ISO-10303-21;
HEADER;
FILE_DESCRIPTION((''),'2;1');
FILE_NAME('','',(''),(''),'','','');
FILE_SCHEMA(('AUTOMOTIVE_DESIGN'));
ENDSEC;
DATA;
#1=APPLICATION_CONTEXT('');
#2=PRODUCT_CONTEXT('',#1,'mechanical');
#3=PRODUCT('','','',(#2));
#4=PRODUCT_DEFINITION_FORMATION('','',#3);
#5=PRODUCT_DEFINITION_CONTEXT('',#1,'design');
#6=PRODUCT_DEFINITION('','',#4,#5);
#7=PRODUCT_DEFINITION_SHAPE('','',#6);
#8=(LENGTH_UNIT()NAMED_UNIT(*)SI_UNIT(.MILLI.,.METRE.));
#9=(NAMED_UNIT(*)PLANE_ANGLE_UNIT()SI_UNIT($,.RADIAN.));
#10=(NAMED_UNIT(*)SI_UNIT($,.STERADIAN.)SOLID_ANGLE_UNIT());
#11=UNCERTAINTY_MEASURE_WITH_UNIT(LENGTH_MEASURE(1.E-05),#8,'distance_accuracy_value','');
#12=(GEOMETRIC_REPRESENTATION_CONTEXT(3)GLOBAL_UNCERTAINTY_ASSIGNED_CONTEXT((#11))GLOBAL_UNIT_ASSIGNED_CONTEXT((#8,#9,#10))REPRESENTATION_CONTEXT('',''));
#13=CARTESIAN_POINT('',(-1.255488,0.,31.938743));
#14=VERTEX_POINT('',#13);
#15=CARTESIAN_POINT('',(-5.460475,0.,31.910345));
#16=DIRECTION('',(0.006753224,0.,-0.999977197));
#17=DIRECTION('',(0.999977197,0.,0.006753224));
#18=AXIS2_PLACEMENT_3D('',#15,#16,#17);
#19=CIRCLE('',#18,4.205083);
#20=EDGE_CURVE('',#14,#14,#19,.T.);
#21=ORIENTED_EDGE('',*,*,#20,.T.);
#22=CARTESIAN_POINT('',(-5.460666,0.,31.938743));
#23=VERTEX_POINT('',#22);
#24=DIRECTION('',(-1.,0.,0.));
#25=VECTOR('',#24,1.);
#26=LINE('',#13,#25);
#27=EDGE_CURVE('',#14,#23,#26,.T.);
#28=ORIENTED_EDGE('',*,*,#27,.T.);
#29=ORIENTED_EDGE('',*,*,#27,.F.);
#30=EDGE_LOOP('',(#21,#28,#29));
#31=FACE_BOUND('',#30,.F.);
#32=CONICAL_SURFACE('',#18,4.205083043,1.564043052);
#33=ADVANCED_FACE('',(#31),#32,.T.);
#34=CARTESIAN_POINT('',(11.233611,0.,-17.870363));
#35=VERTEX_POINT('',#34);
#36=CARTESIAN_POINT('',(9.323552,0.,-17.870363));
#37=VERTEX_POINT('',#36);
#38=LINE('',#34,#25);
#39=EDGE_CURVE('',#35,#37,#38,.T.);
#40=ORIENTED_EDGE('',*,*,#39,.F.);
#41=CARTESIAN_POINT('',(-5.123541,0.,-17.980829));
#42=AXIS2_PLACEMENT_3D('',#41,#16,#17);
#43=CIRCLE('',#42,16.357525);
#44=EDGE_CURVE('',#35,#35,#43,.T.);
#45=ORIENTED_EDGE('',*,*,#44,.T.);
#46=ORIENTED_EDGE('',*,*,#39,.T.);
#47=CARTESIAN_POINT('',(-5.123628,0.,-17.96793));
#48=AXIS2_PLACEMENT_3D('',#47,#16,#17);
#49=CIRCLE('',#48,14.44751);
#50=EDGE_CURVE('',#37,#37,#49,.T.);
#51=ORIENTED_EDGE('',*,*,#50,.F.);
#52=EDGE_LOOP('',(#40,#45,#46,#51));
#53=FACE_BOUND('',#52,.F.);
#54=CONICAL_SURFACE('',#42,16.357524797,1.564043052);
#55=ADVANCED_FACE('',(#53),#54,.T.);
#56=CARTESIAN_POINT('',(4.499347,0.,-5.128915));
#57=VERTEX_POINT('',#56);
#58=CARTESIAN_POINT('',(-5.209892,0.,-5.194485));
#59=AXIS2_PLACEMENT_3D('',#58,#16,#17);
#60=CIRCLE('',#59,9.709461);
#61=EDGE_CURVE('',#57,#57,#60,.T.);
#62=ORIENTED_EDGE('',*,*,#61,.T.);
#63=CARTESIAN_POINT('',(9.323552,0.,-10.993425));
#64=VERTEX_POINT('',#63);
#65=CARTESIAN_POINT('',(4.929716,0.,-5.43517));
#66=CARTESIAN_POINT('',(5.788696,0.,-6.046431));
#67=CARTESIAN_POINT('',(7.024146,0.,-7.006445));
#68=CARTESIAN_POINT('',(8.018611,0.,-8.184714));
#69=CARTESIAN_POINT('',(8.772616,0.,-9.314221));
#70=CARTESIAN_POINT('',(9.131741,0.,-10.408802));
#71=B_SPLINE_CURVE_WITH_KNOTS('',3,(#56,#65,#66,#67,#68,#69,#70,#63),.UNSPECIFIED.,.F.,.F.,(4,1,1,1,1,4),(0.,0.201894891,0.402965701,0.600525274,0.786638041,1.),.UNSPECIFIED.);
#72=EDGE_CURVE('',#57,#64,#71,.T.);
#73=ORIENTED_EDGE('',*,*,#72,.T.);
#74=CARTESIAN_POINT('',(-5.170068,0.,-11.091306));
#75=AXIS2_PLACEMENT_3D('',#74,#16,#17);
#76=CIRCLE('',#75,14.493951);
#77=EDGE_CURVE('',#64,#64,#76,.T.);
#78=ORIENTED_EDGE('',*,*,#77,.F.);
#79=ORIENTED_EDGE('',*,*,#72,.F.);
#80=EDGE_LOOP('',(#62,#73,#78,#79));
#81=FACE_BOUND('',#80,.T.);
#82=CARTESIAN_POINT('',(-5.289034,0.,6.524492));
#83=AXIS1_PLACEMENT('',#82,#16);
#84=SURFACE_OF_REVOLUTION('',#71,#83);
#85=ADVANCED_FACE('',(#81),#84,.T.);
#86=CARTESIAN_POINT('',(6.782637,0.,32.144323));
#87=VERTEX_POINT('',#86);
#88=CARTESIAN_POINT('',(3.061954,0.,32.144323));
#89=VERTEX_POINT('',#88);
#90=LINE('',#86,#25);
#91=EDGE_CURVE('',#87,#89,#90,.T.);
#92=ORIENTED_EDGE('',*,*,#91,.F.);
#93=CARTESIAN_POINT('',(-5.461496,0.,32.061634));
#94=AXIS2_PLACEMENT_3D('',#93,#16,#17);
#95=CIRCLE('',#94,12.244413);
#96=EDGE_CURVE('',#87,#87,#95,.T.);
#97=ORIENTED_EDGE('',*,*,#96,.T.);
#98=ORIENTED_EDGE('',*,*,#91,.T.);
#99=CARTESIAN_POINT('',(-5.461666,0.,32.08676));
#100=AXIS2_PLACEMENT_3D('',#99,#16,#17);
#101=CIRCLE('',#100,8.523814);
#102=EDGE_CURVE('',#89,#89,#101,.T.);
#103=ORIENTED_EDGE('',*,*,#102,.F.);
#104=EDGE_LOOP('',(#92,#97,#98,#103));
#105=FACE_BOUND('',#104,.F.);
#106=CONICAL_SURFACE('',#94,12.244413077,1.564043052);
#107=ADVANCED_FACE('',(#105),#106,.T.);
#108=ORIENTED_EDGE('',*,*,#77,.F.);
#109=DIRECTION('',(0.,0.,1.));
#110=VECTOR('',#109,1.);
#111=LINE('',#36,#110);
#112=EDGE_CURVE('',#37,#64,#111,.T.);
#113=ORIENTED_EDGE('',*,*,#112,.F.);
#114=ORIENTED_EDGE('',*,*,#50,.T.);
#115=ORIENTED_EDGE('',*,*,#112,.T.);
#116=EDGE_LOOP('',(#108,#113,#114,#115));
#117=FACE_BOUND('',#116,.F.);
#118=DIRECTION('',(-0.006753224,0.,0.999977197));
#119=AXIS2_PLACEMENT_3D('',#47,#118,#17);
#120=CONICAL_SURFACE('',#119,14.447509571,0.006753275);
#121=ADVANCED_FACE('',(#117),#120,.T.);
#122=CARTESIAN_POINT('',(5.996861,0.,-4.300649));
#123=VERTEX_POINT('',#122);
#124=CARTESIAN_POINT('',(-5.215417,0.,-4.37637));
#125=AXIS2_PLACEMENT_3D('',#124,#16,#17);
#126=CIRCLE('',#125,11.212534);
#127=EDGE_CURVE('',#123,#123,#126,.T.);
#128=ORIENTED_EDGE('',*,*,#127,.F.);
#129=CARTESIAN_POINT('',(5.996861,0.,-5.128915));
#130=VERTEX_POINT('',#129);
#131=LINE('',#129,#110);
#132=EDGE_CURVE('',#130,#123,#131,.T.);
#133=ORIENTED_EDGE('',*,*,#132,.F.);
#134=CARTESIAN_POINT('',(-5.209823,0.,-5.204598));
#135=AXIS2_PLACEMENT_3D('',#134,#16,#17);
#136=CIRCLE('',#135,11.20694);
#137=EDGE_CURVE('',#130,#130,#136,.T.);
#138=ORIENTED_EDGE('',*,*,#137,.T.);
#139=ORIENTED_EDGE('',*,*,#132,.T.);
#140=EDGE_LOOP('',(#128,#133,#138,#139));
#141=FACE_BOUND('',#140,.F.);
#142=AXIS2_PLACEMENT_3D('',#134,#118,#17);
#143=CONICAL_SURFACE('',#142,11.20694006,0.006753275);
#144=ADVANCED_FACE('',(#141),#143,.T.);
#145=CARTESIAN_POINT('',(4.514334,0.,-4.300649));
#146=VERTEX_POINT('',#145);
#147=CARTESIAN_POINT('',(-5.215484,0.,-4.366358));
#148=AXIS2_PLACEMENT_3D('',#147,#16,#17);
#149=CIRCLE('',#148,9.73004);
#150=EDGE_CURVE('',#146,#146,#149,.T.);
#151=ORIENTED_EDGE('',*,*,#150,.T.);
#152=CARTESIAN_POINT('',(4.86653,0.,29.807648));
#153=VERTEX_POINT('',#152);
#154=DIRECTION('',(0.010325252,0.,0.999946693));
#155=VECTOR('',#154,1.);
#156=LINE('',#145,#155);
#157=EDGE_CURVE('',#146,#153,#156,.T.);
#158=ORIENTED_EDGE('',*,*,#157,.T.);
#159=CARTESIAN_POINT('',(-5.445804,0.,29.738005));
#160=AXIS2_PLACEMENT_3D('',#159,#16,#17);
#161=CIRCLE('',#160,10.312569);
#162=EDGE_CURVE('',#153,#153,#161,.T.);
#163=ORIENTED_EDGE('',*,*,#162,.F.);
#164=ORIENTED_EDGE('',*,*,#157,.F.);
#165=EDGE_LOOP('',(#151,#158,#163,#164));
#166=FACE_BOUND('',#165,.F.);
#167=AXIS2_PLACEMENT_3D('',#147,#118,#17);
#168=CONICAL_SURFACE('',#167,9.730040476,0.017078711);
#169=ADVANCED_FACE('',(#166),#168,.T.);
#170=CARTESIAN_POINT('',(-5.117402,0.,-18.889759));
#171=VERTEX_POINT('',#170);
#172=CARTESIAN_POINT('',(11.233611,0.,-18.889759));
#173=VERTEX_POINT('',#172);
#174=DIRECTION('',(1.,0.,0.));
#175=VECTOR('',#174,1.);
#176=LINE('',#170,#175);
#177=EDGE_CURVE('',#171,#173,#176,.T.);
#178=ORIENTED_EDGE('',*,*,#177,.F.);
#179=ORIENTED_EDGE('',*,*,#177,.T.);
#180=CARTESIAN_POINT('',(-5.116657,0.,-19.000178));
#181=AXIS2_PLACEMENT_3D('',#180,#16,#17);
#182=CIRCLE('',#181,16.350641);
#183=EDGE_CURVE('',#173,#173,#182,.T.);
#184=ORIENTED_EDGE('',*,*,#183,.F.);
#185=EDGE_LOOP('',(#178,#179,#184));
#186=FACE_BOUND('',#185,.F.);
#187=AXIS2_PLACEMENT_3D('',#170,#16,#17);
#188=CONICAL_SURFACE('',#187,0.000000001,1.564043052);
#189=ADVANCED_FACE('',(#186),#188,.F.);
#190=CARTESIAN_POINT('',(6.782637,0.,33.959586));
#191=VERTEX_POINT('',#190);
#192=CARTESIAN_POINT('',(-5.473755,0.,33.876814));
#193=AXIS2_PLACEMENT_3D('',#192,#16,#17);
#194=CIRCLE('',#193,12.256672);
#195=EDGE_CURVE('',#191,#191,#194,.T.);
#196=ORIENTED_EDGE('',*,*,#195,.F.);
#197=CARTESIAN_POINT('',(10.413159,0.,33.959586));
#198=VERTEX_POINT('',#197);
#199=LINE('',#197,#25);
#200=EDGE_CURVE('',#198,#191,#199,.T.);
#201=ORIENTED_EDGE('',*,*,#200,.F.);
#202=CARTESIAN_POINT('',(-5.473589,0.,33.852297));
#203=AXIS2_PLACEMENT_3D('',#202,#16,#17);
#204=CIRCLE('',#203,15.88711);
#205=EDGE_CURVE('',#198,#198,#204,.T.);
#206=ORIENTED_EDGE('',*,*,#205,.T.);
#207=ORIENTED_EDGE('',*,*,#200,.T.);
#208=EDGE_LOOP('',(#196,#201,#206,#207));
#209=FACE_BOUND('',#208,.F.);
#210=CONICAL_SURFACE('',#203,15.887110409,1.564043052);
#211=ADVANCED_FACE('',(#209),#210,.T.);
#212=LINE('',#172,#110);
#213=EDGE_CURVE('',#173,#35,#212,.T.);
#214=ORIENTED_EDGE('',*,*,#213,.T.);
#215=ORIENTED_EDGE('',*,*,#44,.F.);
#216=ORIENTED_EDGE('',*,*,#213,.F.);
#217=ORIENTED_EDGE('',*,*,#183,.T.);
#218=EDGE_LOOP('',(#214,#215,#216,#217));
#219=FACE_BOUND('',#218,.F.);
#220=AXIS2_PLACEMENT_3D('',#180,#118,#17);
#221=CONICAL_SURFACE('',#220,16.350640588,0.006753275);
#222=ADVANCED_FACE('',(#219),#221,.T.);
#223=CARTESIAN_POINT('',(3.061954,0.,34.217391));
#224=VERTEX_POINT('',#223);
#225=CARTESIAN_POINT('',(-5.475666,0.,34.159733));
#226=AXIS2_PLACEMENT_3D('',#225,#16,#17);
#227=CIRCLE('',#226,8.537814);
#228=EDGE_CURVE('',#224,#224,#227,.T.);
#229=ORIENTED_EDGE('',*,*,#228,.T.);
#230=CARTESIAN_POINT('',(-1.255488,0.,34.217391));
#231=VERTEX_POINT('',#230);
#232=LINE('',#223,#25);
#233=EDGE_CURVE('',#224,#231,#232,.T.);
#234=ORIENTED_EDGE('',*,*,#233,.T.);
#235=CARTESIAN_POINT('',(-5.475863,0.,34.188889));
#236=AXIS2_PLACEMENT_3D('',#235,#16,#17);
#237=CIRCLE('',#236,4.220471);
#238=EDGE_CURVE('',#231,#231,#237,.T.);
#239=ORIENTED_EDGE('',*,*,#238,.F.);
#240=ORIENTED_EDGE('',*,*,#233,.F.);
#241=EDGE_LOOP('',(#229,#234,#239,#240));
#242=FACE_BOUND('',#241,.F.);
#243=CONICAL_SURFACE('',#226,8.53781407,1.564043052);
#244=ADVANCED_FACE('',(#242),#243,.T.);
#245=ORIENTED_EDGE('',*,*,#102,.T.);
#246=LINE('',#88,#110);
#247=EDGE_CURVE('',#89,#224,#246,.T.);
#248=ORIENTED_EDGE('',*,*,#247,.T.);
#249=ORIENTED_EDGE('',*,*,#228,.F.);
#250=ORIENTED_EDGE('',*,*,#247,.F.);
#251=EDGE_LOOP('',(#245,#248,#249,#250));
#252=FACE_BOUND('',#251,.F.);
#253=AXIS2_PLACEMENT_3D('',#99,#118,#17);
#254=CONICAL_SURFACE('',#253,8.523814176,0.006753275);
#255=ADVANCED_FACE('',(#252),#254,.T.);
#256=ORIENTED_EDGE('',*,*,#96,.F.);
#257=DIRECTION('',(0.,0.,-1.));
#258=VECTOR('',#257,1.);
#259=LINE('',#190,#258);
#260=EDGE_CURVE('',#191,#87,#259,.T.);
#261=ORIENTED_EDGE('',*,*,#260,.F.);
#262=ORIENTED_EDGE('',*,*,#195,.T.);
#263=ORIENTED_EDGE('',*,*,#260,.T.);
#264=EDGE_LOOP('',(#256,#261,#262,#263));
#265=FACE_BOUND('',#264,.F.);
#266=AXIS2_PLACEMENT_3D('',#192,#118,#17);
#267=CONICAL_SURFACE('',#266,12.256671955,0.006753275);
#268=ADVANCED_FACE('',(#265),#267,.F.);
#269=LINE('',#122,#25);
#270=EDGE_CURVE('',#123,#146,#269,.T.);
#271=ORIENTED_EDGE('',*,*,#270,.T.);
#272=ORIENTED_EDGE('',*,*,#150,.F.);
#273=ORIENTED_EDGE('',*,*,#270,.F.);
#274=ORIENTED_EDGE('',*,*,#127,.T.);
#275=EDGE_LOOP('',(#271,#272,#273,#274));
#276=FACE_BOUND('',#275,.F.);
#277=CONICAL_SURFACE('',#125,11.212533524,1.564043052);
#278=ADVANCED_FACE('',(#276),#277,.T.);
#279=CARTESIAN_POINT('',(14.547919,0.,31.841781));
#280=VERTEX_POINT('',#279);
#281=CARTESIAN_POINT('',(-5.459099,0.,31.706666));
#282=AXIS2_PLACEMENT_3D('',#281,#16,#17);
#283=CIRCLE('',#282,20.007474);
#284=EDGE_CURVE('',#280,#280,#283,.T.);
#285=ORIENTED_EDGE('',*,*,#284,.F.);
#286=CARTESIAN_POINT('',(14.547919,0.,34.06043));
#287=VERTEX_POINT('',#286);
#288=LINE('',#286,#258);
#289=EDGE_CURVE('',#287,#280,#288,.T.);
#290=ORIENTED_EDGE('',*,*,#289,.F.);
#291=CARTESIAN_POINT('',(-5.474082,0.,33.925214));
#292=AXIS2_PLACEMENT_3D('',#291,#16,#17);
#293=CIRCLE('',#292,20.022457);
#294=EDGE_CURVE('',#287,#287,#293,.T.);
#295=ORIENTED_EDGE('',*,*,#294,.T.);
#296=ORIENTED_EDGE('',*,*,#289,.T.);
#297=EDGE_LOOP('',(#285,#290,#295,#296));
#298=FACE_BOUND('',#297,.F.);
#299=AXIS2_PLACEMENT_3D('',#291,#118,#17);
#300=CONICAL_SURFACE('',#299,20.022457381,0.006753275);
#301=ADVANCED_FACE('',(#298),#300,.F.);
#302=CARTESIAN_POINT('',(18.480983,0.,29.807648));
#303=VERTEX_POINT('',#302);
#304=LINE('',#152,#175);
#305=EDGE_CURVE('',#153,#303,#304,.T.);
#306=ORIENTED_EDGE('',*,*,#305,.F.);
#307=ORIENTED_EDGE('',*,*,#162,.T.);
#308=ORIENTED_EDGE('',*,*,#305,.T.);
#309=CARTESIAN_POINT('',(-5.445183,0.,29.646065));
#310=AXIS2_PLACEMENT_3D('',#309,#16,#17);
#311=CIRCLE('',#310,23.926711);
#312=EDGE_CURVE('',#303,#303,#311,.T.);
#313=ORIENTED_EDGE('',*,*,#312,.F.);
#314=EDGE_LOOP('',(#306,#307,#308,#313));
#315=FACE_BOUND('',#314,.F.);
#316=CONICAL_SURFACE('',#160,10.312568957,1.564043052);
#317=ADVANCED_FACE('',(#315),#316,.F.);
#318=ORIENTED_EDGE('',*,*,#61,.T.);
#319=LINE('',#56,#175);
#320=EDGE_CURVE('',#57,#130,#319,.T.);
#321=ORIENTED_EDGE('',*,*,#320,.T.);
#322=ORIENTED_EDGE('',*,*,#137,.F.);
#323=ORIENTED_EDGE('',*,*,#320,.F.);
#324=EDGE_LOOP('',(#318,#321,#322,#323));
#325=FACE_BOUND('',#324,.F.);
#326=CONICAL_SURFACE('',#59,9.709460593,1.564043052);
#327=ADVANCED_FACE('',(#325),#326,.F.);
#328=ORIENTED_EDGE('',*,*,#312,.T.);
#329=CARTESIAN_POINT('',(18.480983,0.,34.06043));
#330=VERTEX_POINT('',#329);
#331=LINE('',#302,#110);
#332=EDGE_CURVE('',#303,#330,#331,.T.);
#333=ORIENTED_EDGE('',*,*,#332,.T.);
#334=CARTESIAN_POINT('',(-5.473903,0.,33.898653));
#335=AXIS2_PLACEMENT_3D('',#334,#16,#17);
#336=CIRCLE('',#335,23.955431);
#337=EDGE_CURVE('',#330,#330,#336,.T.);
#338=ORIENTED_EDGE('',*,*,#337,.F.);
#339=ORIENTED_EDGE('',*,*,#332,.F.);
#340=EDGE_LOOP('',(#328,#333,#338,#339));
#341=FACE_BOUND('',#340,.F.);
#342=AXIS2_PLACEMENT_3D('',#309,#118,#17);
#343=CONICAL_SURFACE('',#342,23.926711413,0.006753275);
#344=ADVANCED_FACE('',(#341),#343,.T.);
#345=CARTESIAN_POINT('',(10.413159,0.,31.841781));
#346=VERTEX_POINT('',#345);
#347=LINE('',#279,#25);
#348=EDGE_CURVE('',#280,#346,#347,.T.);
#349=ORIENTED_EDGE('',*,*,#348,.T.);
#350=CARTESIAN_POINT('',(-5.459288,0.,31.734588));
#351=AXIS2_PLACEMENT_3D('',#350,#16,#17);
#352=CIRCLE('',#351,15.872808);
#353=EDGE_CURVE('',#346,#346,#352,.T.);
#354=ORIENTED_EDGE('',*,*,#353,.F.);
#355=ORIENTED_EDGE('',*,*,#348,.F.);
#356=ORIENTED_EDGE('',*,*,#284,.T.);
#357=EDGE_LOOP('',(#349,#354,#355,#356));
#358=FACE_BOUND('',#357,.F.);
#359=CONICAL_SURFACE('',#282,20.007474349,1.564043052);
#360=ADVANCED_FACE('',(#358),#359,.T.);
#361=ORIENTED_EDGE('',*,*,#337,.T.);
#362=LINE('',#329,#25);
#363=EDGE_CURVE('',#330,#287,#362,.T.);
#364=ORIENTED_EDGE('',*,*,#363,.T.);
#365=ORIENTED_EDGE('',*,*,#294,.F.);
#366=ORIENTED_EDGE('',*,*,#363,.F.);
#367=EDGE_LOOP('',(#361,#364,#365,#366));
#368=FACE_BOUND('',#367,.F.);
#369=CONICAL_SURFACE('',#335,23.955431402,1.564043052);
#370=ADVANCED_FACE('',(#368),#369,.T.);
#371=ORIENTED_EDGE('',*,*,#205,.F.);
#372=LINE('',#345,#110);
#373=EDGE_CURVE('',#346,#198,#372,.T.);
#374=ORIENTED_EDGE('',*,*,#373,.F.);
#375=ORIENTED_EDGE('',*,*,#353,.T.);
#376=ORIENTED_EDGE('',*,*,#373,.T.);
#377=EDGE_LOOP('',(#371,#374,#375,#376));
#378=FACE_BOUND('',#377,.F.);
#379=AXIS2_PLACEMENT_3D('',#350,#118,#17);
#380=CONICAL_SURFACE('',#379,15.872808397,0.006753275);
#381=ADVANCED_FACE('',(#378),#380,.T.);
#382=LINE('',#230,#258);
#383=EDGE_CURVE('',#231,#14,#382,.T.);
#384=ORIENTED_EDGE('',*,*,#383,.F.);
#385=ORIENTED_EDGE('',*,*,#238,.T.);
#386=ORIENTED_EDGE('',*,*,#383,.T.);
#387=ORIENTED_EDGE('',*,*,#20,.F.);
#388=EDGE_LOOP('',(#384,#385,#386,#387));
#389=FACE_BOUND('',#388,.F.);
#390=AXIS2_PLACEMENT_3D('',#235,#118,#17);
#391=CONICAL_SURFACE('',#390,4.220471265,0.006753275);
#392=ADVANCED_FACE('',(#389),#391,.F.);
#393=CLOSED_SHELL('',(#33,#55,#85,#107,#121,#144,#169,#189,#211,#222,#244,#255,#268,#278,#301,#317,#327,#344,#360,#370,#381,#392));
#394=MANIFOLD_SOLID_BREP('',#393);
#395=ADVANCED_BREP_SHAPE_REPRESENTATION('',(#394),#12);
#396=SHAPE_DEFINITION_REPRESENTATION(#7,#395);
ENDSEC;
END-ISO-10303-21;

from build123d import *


with BuildPart() as f1:
    # F0 (on Front) → F1 (revolve)
    with BuildSketch(Plane.XZ):
        with BuildLine():
            Line((4.5143341753, -4.3006491445), (4.8665297218, 29.8076476902))
            Line((4.8665297218, 29.8076476902), (15.1177551597, 29.8076476902))
            Line((15.1177551597, 29.8076476902), (18.4809826314, 29.8076476902))
            Line((18.4809826314, 29.8076476902), (18.4809826314, 34.0604297817))
            Line((18.4809826314, 34.0604297817), (14.5479189232, 34.0604297817))
            Line((14.5479189232, 34.0604297817), (14.5479189232, 31.8417809904))
            Line((14.5479189232, 31.8417809904), (10.413158685, 31.8417809904))
            Line((10.413158685, 31.8417809904), (10.413158685, 33.9595861733))
            Line((10.413158685, 33.9595861733), (6.7826374434, 33.9595861733))
            Line((6.7826374434, 33.9595861733), (6.7826374434, 32.1443229914))
            Line((6.7826374434, 32.1443229914), (3.0619536992, 32.1443229914))
            Line((3.0619536992, 32.1443229914), (3.0619536992, 34.2173911631))
            Line((3.0619536992, 34.2173911631), (-1.2554875575, 34.2173911631))
            Line((-1.2554875575, 34.2173911631), (-1.2554875575, 31.9387428463))
            Line((-1.2554875575, 31.9387428463), (-5.4606664926, 31.9387428463))
            Line((-5.4606664926, 31.9387428463), (-5.117402412, -18.8897587359))
            Line((-5.117402412, -18.8897587359), (11.2336110324, -18.8897587359))
            Line((11.2336110324, -18.8897587359), (11.2336110324, -17.870362848))
            Line((11.2336110324, -17.870362848), (9.3235522509, -17.870362848))
            Line((9.3235522509, -17.870362848), (9.3235522509, -10.993424803))
            add(Edge.make_bspline(
                [(4.4993474148, -5.128914956), (4.9297158996, -5.4351701742), (5.788696219, -6.0464305579), (7.0241461042, -7.0064449477), (8.0186108337, -8.1847141484), (8.7726157993, -9.3142207885), (9.131741148, -10.4088020701), (9.3235522509, -10.993424803)],
                knots=[0, 0, 0, 0, 0.2018948913, 0.402965701, 0.6005252736, 0.7866380413, 1, 1, 1, 1], degree=3))
            Line((4.4993474148, -5.128914956), (5.9968610294, -5.128914956))
            Line((5.9968610294, -5.128914956), (5.9968610294, -4.3006491445))
            Line((5.9968610294, -4.3006491445), (4.5143341753, -4.3006491445))
        make_face()
    revolve(axis=Axis((-5.2890344523, 0, 6.5244920552), (0.0067532239, 0, -0.9999771967)))


solid = f1.part
